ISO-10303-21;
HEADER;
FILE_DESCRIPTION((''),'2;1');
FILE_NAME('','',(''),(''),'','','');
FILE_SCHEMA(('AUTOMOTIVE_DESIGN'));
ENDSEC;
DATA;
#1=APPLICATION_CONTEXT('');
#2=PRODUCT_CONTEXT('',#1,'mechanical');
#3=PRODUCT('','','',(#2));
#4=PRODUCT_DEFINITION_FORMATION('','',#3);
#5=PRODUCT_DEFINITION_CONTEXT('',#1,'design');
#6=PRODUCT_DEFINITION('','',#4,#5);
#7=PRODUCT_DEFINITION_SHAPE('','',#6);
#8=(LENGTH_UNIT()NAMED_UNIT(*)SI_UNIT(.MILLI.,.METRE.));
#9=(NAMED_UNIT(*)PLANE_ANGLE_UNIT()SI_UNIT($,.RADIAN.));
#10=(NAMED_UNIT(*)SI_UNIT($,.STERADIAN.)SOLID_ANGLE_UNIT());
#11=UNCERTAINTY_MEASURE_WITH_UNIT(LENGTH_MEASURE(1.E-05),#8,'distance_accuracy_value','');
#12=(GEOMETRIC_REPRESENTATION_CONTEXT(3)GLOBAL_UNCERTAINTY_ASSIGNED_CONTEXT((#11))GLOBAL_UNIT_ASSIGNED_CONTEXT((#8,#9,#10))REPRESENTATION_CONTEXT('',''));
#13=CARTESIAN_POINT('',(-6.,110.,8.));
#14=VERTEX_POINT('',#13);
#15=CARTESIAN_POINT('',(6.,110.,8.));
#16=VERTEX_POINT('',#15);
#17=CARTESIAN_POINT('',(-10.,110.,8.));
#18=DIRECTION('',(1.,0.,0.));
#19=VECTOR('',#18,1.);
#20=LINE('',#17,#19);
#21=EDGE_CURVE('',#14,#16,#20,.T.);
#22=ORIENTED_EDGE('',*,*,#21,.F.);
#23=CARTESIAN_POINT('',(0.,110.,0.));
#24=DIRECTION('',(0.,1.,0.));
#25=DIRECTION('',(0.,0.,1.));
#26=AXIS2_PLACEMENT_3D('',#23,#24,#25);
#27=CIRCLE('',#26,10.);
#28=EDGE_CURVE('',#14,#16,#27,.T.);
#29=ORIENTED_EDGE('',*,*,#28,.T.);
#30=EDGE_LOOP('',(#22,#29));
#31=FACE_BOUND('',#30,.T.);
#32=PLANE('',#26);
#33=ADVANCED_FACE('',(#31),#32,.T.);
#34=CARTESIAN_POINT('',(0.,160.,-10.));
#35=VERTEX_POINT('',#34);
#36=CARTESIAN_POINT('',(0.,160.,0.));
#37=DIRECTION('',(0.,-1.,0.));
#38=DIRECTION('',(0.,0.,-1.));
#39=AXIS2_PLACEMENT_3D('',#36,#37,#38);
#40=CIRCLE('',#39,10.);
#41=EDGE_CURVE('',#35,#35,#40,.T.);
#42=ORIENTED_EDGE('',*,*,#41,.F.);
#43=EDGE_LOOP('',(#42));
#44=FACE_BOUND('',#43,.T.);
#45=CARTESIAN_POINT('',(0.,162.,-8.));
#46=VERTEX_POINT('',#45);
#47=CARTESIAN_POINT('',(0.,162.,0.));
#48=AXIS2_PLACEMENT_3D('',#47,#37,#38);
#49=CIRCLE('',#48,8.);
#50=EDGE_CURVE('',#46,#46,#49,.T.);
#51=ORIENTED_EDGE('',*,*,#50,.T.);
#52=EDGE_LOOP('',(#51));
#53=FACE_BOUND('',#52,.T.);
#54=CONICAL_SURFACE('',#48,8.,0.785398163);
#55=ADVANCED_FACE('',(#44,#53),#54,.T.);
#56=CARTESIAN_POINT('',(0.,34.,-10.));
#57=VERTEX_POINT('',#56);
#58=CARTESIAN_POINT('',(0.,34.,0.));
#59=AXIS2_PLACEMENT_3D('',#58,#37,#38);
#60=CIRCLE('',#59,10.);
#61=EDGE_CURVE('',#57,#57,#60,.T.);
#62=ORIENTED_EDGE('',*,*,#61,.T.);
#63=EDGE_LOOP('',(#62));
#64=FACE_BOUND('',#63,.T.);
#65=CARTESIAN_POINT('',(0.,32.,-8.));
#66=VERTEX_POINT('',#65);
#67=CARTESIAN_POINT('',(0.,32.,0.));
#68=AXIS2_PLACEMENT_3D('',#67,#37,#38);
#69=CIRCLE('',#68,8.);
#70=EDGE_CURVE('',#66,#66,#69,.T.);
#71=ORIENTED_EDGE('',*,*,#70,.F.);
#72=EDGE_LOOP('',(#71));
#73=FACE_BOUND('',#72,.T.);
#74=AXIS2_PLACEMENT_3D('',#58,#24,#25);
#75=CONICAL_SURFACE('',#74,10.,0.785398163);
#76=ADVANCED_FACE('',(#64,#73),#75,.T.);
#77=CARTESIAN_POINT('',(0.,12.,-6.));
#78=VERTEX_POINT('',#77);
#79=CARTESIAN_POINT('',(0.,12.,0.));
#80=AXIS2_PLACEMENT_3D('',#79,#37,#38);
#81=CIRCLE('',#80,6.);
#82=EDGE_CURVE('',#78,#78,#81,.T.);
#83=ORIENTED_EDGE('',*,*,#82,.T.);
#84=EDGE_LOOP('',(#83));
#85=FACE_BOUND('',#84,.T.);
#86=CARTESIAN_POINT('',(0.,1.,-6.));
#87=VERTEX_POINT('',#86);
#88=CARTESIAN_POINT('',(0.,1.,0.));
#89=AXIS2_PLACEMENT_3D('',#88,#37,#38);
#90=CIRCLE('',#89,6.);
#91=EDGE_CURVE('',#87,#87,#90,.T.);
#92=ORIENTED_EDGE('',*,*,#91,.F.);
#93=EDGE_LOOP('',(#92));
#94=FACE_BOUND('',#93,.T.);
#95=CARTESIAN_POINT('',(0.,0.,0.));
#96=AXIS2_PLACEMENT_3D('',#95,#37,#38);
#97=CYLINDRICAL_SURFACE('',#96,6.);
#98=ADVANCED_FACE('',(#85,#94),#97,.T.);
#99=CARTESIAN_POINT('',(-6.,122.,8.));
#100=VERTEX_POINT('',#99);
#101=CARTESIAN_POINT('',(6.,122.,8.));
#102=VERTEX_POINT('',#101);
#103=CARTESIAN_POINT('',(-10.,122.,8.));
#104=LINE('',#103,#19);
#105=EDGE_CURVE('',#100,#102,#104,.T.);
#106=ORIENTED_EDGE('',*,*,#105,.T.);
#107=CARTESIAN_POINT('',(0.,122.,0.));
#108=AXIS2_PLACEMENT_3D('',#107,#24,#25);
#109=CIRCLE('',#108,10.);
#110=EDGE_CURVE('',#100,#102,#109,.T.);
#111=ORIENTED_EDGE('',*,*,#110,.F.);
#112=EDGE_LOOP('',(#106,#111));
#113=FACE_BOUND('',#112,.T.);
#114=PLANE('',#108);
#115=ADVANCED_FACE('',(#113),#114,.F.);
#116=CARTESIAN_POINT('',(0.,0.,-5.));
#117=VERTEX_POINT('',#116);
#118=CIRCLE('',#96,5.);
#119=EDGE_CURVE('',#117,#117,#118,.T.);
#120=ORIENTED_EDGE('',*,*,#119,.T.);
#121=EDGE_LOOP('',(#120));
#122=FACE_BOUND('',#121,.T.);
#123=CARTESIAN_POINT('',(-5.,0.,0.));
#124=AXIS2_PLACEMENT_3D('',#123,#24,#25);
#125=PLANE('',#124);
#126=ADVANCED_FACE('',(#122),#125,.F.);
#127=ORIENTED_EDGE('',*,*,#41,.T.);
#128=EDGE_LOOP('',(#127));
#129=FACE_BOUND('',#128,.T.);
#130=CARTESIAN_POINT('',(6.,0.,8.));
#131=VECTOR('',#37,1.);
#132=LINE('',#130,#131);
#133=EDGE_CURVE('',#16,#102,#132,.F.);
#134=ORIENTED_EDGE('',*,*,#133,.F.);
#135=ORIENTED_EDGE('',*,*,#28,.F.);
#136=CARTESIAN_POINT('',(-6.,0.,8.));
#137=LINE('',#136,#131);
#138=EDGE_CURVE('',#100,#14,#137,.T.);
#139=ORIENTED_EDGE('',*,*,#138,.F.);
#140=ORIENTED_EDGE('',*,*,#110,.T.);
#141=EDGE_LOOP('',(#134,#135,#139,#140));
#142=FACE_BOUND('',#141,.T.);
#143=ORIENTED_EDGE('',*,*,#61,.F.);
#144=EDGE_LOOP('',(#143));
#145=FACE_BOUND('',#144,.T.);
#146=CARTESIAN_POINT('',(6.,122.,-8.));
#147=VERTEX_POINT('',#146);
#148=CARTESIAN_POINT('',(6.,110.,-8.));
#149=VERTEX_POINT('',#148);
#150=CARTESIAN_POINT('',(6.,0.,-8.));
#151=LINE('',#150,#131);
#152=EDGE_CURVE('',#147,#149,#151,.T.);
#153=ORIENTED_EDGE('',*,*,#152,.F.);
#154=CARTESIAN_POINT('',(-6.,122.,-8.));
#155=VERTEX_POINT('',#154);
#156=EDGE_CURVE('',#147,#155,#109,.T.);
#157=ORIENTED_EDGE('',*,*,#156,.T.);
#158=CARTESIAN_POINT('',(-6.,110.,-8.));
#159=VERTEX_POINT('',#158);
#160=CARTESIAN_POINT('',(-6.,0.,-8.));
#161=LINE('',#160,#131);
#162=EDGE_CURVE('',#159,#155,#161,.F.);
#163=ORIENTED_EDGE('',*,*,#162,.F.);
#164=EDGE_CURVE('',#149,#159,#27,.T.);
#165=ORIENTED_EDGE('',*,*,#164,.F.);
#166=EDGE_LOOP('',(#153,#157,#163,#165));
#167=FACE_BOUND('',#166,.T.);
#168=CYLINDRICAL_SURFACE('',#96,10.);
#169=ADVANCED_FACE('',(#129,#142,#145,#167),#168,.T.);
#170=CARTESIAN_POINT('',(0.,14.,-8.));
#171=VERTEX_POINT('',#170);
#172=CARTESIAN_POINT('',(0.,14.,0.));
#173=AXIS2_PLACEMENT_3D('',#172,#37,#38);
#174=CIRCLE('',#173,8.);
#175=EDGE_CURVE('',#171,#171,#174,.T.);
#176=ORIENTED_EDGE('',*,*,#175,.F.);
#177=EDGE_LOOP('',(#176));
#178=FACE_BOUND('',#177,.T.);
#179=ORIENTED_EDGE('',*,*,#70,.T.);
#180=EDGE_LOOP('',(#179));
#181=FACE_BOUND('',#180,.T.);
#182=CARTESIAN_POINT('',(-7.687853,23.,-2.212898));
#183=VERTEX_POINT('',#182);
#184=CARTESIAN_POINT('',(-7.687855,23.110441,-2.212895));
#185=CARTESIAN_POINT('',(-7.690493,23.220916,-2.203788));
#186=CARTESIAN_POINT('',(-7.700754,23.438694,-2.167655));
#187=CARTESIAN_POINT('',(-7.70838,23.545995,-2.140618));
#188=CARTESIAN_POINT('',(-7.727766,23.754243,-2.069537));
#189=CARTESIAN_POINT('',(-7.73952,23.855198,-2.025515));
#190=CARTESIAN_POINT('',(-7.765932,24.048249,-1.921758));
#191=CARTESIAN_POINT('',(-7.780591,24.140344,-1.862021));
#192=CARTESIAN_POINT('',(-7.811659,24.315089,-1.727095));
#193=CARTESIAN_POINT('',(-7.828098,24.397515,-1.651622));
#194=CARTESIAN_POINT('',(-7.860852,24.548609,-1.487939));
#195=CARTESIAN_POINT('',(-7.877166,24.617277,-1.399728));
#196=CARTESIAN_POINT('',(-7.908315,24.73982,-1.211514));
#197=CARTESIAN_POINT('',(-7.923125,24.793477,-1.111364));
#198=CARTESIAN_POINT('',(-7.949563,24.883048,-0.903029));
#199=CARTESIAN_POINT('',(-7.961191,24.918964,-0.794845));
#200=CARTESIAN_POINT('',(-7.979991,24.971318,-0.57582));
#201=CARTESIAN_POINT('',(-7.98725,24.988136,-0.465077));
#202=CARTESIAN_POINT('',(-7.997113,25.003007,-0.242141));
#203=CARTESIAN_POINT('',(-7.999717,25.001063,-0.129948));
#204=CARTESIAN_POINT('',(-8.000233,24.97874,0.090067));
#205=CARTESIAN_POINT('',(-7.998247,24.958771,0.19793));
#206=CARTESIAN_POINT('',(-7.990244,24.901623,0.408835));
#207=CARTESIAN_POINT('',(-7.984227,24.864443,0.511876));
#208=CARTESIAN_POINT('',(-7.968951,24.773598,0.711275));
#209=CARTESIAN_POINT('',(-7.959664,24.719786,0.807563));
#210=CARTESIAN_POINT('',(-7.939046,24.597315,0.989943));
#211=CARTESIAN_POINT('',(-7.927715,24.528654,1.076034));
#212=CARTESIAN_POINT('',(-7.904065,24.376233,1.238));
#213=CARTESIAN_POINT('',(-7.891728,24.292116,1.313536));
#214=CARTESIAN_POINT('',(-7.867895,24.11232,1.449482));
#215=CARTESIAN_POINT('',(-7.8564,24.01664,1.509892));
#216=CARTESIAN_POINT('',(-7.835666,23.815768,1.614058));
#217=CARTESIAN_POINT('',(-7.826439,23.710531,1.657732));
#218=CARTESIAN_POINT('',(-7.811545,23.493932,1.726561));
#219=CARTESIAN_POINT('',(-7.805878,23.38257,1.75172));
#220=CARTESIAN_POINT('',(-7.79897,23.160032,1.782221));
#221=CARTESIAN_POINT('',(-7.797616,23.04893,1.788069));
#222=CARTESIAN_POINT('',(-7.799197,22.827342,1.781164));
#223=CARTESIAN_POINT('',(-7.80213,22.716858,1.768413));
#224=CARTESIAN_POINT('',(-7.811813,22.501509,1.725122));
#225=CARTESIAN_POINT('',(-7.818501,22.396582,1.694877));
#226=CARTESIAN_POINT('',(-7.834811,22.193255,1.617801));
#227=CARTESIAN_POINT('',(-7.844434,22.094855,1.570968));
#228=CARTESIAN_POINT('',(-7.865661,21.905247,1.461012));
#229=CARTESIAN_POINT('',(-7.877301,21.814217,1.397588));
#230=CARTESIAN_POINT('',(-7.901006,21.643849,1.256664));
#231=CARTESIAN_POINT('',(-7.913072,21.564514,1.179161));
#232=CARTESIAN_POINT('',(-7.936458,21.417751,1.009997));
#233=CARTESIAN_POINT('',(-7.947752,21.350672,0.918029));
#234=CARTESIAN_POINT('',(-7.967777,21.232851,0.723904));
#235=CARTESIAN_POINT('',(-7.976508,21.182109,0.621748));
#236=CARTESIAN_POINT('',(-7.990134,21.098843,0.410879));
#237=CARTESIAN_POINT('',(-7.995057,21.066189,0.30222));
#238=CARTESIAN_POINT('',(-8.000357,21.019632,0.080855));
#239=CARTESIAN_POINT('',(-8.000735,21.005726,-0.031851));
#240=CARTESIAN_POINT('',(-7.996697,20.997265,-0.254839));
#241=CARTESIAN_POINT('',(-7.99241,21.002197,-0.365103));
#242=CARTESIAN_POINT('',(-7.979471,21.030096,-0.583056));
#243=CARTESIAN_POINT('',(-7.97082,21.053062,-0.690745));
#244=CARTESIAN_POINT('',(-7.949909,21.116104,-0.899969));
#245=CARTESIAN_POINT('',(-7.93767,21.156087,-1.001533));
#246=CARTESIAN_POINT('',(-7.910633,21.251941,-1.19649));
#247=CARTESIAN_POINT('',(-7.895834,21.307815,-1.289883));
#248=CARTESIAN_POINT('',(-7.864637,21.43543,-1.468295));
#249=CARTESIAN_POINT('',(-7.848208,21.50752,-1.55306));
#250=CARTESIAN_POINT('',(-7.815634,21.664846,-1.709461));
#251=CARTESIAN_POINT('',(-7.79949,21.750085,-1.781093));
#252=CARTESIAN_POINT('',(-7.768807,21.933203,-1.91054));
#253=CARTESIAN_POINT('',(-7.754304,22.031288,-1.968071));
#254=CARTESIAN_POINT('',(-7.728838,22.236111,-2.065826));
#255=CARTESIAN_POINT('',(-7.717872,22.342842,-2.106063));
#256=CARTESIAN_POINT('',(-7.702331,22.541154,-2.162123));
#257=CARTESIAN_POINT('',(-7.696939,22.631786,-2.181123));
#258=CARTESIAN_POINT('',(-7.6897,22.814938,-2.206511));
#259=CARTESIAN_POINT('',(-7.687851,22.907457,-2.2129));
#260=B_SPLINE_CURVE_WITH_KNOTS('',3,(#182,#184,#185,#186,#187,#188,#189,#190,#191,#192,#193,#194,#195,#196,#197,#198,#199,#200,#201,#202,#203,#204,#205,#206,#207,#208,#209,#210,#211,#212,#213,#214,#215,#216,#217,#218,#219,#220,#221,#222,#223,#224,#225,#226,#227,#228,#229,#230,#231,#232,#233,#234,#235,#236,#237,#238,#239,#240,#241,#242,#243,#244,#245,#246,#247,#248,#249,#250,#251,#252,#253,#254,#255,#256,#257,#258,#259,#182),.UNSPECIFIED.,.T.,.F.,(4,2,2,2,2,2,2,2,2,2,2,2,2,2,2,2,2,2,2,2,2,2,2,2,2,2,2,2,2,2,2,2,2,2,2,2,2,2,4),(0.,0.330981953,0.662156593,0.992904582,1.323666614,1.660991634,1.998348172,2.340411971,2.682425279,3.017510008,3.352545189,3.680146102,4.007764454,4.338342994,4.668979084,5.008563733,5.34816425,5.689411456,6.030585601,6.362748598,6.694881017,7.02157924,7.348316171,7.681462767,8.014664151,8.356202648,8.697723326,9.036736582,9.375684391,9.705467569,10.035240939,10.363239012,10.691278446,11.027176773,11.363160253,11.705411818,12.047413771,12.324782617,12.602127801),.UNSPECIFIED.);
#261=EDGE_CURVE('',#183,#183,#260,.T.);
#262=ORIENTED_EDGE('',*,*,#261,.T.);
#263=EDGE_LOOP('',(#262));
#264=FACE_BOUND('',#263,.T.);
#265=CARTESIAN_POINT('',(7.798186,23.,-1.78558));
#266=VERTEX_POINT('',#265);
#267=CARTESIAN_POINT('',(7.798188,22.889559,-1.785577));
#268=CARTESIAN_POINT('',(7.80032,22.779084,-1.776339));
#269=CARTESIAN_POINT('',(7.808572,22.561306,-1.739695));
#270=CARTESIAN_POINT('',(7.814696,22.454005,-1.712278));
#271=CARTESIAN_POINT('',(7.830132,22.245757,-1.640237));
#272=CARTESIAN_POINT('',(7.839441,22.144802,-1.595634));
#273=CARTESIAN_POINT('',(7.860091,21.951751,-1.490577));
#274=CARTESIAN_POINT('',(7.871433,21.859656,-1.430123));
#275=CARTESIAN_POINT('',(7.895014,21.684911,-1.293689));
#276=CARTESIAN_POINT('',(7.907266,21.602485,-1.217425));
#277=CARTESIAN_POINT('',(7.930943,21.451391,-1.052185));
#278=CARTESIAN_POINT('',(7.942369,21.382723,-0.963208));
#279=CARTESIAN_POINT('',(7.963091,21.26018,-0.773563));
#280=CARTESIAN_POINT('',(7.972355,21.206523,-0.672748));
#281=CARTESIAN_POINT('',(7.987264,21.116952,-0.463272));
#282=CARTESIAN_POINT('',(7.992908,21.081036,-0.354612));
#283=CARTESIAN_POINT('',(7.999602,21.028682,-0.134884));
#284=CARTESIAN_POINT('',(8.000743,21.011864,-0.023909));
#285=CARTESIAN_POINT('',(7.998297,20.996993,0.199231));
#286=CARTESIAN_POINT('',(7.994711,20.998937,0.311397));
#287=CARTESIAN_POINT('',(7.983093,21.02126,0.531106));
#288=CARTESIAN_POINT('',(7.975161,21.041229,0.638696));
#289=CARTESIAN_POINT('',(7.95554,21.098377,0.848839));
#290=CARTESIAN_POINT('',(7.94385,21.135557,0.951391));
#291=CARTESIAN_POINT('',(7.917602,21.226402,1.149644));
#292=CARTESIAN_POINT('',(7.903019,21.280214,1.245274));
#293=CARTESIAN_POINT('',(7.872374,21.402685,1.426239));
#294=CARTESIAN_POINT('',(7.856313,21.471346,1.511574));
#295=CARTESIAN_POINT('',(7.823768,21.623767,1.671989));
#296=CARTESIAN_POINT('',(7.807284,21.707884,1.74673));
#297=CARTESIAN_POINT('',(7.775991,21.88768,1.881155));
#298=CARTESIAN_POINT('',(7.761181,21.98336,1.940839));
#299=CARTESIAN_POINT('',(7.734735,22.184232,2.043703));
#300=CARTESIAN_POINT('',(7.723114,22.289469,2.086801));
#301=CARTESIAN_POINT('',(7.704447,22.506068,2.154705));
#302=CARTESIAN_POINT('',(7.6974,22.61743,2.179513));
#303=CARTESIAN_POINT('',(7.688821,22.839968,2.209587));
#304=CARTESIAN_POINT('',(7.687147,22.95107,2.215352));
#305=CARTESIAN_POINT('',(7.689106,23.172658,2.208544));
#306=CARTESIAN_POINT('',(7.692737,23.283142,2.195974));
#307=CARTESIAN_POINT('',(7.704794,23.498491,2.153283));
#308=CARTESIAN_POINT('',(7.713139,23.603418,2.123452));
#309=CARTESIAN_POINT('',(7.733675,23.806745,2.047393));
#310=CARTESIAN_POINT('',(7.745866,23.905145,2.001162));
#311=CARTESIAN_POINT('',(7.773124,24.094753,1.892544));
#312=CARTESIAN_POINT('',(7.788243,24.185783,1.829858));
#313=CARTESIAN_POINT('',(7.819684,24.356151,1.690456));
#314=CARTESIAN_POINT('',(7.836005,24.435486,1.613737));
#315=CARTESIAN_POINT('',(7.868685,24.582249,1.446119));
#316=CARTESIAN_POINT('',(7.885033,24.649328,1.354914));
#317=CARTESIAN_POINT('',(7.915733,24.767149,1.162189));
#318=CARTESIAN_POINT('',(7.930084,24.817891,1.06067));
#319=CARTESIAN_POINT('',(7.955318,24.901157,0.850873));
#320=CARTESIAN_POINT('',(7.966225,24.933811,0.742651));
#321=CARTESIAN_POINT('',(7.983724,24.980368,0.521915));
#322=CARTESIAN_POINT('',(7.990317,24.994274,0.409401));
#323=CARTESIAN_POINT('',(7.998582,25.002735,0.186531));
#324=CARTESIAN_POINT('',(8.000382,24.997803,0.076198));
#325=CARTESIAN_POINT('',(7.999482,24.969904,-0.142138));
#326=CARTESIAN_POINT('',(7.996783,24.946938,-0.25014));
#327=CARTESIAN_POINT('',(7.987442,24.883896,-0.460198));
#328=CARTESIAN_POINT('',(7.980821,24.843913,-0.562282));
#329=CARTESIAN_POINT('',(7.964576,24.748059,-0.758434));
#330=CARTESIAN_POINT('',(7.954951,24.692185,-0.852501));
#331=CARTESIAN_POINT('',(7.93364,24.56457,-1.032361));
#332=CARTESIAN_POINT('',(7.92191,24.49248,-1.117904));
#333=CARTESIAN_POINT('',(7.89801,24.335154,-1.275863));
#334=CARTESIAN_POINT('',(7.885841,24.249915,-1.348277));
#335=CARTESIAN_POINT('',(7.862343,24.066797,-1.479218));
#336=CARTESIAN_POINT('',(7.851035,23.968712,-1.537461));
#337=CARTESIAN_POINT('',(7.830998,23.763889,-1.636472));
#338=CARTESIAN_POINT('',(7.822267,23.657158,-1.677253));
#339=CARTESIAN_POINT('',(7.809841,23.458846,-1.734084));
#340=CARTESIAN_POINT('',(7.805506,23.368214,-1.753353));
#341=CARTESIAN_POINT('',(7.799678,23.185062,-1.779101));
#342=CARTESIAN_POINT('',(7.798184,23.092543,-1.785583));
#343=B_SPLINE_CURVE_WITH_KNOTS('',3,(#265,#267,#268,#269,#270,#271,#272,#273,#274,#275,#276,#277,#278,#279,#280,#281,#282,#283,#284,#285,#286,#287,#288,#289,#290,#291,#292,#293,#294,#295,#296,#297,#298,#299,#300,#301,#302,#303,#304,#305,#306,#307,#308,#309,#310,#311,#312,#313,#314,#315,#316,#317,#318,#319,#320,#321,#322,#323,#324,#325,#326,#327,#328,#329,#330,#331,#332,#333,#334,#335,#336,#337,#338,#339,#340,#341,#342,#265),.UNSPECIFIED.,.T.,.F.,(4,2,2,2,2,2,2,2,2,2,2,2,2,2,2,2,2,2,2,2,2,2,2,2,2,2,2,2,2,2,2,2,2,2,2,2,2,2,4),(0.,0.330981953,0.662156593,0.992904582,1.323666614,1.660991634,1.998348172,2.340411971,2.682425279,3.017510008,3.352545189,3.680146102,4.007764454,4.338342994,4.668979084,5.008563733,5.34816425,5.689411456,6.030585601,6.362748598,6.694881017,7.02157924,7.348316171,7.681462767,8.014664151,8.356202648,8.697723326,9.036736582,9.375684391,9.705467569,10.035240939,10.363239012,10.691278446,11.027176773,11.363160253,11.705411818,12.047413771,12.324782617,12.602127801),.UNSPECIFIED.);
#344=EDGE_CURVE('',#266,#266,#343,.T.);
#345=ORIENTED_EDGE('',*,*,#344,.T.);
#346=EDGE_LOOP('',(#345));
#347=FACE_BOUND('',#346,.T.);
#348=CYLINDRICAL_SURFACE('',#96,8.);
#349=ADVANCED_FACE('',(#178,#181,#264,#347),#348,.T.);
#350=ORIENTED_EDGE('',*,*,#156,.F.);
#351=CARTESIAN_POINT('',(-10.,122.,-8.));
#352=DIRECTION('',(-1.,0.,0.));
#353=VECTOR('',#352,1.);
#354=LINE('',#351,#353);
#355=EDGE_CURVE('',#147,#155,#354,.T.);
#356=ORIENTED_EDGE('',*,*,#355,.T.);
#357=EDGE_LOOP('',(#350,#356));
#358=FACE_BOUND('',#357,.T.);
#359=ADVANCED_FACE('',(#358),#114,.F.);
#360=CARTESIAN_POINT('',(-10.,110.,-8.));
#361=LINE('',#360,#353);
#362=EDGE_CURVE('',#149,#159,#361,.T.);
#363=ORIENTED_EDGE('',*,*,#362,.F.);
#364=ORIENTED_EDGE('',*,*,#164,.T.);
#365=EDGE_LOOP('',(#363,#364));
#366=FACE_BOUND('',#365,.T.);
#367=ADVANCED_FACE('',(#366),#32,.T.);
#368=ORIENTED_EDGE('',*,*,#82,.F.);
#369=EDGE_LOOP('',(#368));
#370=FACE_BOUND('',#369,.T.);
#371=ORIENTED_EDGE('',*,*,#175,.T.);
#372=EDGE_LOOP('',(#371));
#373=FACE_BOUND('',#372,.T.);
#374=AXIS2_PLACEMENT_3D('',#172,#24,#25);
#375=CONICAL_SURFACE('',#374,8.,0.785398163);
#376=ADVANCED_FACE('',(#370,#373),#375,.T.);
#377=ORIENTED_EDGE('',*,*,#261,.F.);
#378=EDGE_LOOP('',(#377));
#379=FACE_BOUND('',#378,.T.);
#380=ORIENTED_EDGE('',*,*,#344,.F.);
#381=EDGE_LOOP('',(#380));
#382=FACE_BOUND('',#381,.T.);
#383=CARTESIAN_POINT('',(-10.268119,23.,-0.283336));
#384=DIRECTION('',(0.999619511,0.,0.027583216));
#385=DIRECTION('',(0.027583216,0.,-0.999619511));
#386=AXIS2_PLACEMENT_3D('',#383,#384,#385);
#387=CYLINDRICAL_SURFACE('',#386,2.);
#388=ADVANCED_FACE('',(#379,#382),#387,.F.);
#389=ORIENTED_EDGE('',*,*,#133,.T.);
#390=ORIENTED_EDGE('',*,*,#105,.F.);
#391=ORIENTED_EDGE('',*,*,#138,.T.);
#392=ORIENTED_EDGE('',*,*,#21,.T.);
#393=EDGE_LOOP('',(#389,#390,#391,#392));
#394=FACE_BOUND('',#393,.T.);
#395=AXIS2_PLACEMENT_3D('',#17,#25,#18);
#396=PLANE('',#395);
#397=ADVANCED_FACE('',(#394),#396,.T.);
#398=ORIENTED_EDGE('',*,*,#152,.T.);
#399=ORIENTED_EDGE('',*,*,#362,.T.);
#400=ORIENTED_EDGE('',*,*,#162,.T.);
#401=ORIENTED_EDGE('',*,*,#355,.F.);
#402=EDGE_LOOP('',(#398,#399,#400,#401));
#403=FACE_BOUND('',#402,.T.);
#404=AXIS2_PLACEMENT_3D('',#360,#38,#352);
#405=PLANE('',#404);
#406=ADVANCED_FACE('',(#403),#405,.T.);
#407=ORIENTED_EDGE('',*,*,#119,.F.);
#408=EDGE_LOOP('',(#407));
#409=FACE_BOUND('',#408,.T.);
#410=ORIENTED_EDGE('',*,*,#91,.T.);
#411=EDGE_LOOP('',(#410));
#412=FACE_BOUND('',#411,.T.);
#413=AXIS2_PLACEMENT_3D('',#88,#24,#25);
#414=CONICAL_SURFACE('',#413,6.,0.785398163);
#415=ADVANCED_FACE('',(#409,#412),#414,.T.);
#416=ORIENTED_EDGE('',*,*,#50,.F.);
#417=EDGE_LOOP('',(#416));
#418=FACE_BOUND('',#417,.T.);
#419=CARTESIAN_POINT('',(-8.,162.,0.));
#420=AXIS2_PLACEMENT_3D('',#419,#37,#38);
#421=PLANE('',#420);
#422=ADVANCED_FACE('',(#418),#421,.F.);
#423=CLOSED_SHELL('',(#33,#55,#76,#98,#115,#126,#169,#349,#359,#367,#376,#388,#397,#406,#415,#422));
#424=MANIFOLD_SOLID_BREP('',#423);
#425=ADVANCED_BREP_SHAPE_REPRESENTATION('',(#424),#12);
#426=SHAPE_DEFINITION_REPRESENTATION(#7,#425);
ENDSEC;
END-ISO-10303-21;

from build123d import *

# Parameters (mm, degrees)
CUT_EXTRUDE_START        = -40
SKETCH_2_OUTSIDE_W       = 54.89
SKETCH_2_OUTSIDE_H       = 54.89
SKETCH_2_OUTSIDE_W_2     = 20
SKETCH_2_OUTSIDE_H_2     = 16
CUT_EXTRUDE_1_DEPTH      = 12
CUT_EXTRUDE_2_DEPTH      = 196.51214796
CUT_EXTRUDE_2_DEPTH_BACK = 196.51214796
SKETCH_3_R               = 2


with BuildPart() as part:
    # Эскиз1 → Повернуть1 (revolve)
    with BuildSketch(Plane.XY, mode=Mode.PRIVATE) as revolve_1_sk:
        Polygon((-6, 1), (-5, 0), (0, 0), (0, 162), (-8, 162), (-10, 160), (-10, 34), (-8, 32), (-8, 14), (-6, 12), align=None)
    revolve(revolve_1_sk.sketch.rotate(Axis((0, 0, 0), (0, 1, 0)), 270), axis=Axis((0, 0, 0), (0, 1, 0)))

    # Эскиз2 outside → Вырез-Вытянуть1 (cut)
    with BuildSketch(Plane(origin=(0, 162, 0), x_dir=(1, 0, 0), z_dir=(0, 1, 0)).offset(CUT_EXTRUDE_START)):
        Rectangle(SKETCH_2_OUTSIDE_W, SKETCH_2_OUTSIDE_H)
        Rectangle(SKETCH_2_OUTSIDE_W_2, SKETCH_2_OUTSIDE_H_2, mode=Mode.SUBTRACT)
    extrude(amount=-CUT_EXTRUDE_1_DEPTH, mode=Mode.SUBTRACT)

    # Эскиз3 → Вырез-Вытянуть2 (cut, two sides: drawn at the far end of the back side and taken through both)
    with BuildSketch(Plane(origin=(0, -33, 0), x_dir=(0.027583216315568815, 0, -0.9996195107027916), z_dir=(0.9996195107027916, 0, 0.027583216315568815)).offset(-CUT_EXTRUDE_2_DEPTH_BACK)):
        with Locations((0, 56)):
            Circle(SKETCH_3_R)
    extrude(amount=CUT_EXTRUDE_2_DEPTH + CUT_EXTRUDE_2_DEPTH_BACK, mode=Mode.SUBTRACT)


solid = part.part
